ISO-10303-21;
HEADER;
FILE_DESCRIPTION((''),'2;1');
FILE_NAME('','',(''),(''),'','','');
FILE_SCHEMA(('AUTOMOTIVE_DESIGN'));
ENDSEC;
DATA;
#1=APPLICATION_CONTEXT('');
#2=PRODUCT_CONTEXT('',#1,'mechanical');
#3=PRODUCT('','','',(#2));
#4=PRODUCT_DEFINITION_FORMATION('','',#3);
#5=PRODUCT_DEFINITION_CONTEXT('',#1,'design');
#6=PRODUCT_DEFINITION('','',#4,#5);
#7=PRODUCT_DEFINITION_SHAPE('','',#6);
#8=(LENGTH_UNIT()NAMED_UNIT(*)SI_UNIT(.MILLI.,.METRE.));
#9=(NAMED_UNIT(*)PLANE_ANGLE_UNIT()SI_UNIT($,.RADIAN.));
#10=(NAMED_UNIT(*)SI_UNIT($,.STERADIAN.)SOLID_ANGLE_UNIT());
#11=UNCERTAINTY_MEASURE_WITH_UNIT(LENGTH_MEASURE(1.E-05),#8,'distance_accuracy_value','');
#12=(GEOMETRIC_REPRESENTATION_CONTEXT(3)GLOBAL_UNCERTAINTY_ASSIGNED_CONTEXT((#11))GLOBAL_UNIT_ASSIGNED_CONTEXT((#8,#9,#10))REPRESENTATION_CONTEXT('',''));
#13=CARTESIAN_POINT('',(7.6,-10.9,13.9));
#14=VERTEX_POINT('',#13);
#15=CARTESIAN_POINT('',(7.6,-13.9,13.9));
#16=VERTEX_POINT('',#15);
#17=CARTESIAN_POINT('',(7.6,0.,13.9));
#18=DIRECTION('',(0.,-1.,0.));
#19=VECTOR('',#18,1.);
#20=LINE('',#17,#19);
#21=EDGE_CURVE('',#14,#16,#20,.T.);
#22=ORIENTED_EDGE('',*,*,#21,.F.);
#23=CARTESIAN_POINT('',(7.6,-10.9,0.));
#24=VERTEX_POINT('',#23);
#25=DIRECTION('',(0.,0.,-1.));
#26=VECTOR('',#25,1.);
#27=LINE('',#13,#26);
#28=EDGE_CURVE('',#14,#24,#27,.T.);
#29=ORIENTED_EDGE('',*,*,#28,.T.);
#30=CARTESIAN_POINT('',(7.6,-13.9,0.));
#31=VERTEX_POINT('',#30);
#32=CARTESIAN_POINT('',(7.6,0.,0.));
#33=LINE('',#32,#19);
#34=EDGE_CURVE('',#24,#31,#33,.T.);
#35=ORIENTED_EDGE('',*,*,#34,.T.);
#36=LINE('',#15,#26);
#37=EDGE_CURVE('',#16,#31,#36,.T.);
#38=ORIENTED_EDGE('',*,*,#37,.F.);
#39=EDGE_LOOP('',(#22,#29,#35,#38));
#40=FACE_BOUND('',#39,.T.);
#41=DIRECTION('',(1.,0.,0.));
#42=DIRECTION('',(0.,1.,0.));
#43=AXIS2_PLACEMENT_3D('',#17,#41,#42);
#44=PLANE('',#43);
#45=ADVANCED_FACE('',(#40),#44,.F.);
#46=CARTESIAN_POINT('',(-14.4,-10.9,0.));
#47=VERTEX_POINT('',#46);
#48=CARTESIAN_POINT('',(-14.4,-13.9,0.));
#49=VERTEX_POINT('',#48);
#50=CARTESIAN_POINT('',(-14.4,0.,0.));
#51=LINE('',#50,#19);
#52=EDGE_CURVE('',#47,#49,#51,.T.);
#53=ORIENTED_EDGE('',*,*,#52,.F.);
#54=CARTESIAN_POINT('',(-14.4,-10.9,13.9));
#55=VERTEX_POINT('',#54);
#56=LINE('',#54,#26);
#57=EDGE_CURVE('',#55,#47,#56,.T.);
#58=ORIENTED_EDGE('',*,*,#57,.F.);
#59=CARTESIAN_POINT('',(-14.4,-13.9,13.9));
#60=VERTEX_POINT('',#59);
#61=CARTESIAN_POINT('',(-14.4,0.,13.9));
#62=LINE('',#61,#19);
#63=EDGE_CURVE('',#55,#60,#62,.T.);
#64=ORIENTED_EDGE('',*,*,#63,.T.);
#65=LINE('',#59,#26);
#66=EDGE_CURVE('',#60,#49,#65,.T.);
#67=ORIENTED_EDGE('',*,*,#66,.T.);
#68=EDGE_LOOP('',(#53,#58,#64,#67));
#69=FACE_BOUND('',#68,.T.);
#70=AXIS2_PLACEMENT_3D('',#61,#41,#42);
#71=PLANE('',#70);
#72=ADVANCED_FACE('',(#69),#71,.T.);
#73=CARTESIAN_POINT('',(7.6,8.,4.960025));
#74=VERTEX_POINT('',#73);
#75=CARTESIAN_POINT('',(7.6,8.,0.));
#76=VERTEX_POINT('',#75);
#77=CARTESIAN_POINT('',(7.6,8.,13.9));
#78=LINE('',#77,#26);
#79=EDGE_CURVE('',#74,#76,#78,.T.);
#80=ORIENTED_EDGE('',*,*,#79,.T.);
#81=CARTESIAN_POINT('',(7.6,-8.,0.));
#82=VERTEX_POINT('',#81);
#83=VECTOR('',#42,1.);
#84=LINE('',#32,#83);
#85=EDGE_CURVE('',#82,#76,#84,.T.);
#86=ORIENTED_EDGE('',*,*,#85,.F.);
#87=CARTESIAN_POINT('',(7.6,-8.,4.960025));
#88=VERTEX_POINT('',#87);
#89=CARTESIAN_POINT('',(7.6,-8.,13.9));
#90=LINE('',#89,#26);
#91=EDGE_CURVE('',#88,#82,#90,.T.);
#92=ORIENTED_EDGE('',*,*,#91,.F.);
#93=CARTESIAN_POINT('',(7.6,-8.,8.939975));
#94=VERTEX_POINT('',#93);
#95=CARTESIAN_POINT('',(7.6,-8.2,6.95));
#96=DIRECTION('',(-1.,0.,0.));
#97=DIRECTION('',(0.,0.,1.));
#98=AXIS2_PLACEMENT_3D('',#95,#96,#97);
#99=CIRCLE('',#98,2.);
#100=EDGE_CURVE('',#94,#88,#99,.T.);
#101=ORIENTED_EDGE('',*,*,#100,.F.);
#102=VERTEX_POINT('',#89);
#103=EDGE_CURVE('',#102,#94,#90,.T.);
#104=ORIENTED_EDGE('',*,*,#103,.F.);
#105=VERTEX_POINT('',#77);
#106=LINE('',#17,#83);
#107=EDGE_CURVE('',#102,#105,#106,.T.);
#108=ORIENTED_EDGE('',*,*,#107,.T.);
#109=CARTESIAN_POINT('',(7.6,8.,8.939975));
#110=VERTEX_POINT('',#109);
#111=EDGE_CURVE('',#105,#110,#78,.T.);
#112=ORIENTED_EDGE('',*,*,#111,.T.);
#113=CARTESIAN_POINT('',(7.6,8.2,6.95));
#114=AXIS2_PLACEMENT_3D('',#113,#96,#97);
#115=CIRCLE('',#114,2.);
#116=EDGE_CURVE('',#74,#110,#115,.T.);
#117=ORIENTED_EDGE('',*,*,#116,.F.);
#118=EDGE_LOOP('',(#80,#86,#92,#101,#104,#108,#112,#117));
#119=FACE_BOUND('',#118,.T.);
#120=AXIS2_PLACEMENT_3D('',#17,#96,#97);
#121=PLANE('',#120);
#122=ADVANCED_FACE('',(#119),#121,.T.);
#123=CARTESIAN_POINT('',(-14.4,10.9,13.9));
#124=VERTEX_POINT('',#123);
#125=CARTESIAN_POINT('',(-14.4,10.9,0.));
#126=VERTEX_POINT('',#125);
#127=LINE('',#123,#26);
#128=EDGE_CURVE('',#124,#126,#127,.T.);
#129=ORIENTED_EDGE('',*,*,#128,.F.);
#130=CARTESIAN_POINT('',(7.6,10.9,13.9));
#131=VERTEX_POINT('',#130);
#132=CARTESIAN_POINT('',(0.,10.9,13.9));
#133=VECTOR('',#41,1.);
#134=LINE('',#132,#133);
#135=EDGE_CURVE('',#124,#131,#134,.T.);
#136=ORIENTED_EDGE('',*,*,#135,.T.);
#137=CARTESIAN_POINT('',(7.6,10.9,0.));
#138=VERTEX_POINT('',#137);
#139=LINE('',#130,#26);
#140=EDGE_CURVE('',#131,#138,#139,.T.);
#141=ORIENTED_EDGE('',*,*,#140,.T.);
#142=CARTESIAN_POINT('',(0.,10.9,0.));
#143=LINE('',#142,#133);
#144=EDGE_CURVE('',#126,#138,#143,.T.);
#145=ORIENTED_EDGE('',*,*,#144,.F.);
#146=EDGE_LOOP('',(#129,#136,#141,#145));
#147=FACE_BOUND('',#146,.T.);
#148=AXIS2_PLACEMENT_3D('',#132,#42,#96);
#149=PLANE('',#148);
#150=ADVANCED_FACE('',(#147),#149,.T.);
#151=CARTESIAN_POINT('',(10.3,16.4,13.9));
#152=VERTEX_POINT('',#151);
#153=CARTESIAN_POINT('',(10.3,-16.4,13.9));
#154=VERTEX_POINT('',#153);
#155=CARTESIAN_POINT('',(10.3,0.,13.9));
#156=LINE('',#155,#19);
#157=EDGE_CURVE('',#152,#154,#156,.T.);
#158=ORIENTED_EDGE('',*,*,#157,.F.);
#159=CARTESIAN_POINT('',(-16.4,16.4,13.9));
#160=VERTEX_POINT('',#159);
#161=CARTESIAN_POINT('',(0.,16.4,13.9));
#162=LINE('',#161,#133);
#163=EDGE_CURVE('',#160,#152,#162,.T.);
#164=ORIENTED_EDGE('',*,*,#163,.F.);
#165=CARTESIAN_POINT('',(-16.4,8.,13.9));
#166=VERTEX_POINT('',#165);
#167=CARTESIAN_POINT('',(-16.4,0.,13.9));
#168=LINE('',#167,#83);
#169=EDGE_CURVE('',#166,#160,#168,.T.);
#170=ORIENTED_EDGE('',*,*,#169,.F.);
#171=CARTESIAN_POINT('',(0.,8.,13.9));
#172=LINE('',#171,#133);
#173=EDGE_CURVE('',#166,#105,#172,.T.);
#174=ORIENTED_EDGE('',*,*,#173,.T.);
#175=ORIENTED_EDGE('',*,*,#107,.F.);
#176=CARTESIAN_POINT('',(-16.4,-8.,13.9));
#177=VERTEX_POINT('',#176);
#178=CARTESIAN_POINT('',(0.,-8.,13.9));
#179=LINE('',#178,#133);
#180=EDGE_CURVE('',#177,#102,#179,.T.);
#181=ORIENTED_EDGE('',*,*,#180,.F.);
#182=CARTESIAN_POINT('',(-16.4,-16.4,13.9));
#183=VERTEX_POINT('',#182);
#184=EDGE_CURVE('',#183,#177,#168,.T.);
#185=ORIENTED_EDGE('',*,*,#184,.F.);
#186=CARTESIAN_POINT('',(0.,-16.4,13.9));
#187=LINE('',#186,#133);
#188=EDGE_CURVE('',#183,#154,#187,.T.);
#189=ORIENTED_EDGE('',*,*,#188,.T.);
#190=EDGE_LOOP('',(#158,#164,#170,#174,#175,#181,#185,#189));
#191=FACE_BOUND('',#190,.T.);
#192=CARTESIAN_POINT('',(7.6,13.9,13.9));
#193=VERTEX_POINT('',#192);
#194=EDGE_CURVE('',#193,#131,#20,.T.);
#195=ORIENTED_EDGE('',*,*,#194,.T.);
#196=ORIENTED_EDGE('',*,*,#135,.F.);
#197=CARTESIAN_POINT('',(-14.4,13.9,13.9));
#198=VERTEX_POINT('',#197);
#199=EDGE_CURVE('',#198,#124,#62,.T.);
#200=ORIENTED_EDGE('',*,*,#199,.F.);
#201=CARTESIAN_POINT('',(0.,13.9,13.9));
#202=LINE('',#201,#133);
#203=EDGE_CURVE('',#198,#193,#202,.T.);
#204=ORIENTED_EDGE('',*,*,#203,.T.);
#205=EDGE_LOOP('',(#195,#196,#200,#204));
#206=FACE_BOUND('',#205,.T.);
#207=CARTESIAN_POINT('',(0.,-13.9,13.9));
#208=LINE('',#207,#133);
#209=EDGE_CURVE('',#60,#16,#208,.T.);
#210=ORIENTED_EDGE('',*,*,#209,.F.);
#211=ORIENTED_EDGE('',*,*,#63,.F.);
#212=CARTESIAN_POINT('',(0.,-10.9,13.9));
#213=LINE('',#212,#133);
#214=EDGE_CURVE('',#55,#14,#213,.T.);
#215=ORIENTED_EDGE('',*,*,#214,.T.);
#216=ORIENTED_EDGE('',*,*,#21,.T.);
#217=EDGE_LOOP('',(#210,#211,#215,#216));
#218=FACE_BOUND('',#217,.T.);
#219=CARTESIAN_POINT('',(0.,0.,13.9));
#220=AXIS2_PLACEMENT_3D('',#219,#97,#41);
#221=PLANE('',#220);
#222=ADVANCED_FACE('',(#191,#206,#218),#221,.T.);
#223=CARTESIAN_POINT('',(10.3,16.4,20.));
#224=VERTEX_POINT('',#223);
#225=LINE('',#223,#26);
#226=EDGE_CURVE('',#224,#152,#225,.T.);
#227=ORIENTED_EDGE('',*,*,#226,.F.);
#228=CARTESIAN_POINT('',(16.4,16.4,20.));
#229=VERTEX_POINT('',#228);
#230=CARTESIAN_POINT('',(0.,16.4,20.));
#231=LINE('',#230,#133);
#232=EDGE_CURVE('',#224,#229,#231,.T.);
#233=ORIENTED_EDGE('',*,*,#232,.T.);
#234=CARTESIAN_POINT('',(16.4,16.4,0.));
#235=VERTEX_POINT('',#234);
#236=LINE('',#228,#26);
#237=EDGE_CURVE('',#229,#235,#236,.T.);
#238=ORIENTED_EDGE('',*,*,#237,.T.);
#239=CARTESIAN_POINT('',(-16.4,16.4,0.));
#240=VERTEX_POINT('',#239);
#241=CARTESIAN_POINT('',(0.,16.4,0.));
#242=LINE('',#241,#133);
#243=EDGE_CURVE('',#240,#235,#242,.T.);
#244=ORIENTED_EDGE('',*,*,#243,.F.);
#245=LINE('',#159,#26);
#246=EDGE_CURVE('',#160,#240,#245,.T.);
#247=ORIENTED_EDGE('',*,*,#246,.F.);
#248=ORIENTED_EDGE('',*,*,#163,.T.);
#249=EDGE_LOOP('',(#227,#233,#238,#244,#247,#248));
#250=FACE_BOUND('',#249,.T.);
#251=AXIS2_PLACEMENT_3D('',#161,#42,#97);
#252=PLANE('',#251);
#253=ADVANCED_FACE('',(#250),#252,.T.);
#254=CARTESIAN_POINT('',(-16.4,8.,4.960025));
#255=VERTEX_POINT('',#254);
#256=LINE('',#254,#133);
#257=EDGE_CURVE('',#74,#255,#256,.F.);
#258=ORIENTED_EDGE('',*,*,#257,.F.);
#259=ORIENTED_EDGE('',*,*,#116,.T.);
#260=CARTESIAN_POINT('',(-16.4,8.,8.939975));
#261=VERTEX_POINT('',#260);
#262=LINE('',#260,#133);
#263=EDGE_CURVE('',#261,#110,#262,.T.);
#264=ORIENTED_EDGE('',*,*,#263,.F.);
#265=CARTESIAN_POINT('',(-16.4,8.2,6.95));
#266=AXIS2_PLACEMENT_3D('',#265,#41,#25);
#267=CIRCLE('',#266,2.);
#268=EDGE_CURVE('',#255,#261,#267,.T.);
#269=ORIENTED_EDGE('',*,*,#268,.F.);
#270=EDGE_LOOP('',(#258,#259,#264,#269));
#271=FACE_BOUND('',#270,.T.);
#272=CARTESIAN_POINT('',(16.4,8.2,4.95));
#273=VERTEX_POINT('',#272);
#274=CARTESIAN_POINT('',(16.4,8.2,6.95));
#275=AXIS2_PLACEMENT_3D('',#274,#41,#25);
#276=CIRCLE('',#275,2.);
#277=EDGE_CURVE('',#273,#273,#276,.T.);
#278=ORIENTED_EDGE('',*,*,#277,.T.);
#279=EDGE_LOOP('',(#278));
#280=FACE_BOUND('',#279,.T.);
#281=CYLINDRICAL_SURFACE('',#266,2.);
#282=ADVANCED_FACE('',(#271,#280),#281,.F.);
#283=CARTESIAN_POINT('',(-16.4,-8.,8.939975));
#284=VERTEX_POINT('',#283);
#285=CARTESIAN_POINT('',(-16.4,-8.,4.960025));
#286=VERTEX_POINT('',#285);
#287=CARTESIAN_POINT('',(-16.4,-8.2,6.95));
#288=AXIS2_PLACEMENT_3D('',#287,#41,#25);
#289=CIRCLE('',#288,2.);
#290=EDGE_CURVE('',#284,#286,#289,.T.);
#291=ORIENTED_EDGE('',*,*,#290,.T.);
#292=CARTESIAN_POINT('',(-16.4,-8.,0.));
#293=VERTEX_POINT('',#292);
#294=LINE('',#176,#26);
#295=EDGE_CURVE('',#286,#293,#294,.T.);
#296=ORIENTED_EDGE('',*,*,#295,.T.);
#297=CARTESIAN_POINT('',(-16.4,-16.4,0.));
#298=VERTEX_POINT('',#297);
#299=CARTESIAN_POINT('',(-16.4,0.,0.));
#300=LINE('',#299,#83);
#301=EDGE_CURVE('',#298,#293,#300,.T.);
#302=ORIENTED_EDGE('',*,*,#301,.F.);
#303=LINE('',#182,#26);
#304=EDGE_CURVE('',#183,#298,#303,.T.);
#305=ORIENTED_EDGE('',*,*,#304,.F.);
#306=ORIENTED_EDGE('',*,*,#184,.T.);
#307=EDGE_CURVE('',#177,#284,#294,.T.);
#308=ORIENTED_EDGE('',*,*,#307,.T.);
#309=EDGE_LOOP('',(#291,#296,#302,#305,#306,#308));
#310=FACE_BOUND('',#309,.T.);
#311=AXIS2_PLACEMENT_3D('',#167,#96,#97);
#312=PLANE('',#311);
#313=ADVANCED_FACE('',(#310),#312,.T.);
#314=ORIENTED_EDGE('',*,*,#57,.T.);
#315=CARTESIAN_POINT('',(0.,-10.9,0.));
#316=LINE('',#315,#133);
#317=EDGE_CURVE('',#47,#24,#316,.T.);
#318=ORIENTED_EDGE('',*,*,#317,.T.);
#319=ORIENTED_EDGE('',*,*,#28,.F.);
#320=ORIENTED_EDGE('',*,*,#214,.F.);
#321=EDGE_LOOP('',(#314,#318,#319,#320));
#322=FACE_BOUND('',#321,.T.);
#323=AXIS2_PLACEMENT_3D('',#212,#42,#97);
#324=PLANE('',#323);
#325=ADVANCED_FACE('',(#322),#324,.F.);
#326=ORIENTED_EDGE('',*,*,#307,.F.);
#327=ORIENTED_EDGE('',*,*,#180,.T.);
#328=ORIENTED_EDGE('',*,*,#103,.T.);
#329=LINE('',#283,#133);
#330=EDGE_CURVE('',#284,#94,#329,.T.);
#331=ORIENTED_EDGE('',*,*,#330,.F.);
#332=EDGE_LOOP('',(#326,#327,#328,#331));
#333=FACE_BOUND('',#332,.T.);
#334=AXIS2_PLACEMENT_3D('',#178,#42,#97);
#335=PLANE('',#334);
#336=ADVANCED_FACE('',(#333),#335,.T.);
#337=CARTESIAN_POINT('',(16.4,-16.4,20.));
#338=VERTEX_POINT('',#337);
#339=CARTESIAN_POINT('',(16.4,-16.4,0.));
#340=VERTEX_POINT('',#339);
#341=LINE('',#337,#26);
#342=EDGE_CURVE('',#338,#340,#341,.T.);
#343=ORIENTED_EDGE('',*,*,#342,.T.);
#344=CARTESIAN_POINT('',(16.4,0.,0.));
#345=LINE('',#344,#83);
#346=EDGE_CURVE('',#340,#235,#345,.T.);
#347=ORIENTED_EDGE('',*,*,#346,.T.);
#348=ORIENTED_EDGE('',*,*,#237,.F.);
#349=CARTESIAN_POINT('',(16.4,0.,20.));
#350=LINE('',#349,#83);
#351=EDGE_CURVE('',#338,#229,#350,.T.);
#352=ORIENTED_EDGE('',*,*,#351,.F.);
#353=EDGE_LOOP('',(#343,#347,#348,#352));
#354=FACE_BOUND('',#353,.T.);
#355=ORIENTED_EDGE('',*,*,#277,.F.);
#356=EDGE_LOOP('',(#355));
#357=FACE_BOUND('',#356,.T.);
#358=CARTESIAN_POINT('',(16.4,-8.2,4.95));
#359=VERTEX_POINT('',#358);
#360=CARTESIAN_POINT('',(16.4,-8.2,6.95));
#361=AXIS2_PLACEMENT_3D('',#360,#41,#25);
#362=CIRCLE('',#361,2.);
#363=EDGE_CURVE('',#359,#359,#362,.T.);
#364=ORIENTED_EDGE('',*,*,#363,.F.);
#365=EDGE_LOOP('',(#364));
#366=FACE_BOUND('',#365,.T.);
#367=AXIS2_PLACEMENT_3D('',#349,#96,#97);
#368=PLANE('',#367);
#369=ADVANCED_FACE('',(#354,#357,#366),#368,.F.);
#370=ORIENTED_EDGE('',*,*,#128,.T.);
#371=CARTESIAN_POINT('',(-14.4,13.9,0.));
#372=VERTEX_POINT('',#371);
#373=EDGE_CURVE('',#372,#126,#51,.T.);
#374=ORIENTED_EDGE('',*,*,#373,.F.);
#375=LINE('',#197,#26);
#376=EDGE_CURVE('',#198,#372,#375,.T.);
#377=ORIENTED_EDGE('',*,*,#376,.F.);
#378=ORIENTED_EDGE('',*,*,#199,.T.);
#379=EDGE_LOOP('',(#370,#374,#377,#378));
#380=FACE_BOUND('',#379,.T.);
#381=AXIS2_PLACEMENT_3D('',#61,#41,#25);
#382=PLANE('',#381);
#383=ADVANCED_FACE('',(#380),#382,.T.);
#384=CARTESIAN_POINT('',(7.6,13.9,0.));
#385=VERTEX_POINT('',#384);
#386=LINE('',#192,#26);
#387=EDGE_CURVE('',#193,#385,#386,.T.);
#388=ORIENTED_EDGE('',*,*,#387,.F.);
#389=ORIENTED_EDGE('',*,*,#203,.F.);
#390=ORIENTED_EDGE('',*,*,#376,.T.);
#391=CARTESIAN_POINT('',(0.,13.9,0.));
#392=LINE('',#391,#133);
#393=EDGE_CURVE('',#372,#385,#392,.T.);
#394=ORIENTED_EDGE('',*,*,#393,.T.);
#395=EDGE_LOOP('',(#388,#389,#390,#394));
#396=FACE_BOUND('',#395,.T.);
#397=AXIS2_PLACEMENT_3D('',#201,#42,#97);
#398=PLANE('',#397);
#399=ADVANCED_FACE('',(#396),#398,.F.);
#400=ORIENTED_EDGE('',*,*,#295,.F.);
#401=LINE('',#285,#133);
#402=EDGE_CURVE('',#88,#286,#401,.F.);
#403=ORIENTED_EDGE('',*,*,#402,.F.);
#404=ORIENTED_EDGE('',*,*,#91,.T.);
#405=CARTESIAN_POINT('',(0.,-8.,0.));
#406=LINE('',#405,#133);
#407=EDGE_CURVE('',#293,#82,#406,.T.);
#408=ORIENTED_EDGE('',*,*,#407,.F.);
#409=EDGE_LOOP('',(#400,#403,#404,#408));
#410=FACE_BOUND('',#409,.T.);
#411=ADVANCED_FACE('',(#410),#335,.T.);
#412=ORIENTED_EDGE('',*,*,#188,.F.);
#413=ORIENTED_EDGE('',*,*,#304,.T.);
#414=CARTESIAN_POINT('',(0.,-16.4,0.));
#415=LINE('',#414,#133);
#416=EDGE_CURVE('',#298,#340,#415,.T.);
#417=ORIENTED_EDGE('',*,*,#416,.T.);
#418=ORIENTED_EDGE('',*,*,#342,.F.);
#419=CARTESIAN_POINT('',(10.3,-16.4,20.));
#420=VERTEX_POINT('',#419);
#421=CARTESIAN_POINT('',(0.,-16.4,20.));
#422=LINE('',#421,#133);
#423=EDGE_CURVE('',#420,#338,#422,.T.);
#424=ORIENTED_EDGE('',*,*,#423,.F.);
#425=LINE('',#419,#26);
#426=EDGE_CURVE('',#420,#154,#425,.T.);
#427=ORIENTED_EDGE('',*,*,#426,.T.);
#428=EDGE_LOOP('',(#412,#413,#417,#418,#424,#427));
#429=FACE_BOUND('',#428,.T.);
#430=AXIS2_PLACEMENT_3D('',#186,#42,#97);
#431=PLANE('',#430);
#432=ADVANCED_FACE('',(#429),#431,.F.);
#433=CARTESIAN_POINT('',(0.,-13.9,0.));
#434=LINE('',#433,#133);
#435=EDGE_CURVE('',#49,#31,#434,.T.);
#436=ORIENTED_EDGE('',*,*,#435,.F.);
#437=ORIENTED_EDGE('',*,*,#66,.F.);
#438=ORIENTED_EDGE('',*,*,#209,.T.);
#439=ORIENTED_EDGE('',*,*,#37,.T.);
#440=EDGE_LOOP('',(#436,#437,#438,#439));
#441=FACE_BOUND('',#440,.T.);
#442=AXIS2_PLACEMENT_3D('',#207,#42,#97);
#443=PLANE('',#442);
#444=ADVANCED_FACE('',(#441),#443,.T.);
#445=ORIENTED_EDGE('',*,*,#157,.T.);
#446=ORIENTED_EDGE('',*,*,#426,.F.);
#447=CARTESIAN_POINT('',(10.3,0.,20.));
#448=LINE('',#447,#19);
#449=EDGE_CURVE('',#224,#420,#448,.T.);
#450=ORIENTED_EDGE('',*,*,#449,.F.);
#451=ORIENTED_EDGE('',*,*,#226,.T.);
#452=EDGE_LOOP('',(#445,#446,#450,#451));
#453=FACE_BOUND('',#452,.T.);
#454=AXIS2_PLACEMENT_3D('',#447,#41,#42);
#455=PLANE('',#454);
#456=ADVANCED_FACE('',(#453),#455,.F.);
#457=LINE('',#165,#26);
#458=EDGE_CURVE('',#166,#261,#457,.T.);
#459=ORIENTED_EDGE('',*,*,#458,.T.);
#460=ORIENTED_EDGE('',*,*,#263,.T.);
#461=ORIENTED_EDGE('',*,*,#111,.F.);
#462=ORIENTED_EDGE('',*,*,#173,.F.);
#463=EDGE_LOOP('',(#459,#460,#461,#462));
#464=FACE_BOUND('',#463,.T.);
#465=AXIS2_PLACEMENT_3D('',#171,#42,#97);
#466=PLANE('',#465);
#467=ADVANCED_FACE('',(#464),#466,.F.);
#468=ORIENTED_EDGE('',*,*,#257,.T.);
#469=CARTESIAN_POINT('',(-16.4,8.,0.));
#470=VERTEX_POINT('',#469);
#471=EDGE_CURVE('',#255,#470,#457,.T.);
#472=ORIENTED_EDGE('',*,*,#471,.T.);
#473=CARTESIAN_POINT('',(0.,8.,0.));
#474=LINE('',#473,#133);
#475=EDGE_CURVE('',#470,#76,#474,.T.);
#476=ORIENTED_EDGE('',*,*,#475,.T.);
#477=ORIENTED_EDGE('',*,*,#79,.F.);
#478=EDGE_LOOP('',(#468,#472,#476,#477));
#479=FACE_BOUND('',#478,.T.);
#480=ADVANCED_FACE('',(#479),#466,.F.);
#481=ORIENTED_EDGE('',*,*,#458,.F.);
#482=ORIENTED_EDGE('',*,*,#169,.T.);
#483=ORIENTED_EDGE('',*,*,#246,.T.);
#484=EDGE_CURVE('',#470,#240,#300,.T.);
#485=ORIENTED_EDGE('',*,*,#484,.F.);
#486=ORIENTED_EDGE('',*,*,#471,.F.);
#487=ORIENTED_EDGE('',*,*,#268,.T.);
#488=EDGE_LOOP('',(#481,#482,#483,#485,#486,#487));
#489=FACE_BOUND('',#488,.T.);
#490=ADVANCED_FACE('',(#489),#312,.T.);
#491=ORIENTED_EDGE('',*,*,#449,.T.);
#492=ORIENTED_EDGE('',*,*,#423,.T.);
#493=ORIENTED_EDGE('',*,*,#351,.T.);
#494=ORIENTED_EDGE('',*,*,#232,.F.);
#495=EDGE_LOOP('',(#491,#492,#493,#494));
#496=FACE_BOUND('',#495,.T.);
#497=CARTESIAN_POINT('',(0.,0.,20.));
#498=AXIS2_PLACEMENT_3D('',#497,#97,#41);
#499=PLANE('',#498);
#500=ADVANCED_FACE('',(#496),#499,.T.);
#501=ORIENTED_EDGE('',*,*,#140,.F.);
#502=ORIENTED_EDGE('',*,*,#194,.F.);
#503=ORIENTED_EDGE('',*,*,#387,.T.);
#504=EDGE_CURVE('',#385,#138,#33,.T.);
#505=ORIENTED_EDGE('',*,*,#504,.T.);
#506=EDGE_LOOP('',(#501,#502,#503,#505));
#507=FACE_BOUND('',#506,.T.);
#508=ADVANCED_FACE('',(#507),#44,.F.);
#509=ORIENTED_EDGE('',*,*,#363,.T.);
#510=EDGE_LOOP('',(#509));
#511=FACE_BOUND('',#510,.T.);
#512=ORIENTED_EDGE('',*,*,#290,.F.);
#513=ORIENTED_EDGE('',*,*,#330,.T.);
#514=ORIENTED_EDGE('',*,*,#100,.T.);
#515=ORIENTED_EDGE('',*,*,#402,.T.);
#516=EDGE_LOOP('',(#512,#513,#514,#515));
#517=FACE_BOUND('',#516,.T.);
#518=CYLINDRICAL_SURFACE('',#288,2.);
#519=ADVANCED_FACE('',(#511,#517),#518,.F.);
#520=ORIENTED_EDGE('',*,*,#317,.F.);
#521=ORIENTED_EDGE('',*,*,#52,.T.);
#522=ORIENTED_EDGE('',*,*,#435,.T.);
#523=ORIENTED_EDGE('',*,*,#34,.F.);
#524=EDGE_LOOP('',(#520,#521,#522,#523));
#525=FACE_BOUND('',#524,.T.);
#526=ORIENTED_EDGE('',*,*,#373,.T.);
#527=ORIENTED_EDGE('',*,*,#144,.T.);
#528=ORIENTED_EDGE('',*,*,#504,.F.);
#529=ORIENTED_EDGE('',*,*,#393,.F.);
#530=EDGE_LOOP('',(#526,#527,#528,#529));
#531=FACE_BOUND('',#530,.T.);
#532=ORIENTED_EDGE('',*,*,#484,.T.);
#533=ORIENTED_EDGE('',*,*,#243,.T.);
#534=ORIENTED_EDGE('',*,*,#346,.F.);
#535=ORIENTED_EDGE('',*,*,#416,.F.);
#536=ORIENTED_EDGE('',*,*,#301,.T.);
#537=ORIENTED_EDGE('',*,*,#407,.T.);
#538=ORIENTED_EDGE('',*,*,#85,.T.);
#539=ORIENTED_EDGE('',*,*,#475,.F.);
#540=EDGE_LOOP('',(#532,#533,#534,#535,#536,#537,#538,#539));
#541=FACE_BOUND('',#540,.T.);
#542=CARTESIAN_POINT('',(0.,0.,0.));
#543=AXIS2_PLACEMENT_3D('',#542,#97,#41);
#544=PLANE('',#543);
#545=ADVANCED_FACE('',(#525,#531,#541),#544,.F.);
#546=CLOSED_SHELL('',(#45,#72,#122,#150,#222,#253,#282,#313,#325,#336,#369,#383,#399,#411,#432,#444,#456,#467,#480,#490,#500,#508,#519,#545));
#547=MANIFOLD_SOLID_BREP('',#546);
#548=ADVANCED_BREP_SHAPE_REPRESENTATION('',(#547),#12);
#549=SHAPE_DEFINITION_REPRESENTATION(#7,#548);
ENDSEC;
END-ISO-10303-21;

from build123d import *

# Parameters (mm, degrees)
SKETCH1_W           = 22
SKETCH1_H           = 3
BOSS_EXTRUDE1_DEPTH = 13.9
SKETCH1_3_W         = 6.1
SKETCH1_3_H         = 32.8
BOSS_EXTRUDE2_DEPTH = 20
SKETCH2_R           = 2
CUT_EXTRUDE1_DEPTH  = 42.7708032


with BuildPart() as part:
    # Sketch1 → Boss-Extrude1 (new body)
    with BuildSketch(Plane.XY):
        Polygon((-16.4, -8), (-16.4, -16.4), (10.3, -16.4), (10.3, 16.4), (-16.4, 16.4), (-16.4, 8), (7.6, 8), (7.6, -8), align=None)
        with Locations((-3.4, -12.4)):
            Rectangle(SKETCH1_W, SKETCH1_H, mode=Mode.SUBTRACT)
        with Locations((-3.4, 12.4)):
            Rectangle(SKETCH1_W, SKETCH1_H, mode=Mode.SUBTRACT)
    extrude(amount=BOSS_EXTRUDE1_DEPTH)

    # Sketch1<3> → Boss-Extrude2 (add)
    with BuildSketch(Plane.XY):
        with Locations((13.35, 0)):
            Rectangle(SKETCH1_3_W, SKETCH1_3_H)
    extrude(amount=BOSS_EXTRUDE2_DEPTH)

    # Sketch2 → Cut-Extrude1 (cut, through all)
    with BuildSketch(Plane(origin=(16.4, 0, 0), x_dir=(0, 0, -1), z_dir=(1, 0, 0))):
        with Locations((-6.95, 8.2)):
            Circle(SKETCH2_R)
        with Locations((-6.95, -8.2)):
            Circle(SKETCH2_R)
    extrude(amount=-CUT_EXTRUDE1_DEPTH, mode=Mode.SUBTRACT)


solid = part.part
